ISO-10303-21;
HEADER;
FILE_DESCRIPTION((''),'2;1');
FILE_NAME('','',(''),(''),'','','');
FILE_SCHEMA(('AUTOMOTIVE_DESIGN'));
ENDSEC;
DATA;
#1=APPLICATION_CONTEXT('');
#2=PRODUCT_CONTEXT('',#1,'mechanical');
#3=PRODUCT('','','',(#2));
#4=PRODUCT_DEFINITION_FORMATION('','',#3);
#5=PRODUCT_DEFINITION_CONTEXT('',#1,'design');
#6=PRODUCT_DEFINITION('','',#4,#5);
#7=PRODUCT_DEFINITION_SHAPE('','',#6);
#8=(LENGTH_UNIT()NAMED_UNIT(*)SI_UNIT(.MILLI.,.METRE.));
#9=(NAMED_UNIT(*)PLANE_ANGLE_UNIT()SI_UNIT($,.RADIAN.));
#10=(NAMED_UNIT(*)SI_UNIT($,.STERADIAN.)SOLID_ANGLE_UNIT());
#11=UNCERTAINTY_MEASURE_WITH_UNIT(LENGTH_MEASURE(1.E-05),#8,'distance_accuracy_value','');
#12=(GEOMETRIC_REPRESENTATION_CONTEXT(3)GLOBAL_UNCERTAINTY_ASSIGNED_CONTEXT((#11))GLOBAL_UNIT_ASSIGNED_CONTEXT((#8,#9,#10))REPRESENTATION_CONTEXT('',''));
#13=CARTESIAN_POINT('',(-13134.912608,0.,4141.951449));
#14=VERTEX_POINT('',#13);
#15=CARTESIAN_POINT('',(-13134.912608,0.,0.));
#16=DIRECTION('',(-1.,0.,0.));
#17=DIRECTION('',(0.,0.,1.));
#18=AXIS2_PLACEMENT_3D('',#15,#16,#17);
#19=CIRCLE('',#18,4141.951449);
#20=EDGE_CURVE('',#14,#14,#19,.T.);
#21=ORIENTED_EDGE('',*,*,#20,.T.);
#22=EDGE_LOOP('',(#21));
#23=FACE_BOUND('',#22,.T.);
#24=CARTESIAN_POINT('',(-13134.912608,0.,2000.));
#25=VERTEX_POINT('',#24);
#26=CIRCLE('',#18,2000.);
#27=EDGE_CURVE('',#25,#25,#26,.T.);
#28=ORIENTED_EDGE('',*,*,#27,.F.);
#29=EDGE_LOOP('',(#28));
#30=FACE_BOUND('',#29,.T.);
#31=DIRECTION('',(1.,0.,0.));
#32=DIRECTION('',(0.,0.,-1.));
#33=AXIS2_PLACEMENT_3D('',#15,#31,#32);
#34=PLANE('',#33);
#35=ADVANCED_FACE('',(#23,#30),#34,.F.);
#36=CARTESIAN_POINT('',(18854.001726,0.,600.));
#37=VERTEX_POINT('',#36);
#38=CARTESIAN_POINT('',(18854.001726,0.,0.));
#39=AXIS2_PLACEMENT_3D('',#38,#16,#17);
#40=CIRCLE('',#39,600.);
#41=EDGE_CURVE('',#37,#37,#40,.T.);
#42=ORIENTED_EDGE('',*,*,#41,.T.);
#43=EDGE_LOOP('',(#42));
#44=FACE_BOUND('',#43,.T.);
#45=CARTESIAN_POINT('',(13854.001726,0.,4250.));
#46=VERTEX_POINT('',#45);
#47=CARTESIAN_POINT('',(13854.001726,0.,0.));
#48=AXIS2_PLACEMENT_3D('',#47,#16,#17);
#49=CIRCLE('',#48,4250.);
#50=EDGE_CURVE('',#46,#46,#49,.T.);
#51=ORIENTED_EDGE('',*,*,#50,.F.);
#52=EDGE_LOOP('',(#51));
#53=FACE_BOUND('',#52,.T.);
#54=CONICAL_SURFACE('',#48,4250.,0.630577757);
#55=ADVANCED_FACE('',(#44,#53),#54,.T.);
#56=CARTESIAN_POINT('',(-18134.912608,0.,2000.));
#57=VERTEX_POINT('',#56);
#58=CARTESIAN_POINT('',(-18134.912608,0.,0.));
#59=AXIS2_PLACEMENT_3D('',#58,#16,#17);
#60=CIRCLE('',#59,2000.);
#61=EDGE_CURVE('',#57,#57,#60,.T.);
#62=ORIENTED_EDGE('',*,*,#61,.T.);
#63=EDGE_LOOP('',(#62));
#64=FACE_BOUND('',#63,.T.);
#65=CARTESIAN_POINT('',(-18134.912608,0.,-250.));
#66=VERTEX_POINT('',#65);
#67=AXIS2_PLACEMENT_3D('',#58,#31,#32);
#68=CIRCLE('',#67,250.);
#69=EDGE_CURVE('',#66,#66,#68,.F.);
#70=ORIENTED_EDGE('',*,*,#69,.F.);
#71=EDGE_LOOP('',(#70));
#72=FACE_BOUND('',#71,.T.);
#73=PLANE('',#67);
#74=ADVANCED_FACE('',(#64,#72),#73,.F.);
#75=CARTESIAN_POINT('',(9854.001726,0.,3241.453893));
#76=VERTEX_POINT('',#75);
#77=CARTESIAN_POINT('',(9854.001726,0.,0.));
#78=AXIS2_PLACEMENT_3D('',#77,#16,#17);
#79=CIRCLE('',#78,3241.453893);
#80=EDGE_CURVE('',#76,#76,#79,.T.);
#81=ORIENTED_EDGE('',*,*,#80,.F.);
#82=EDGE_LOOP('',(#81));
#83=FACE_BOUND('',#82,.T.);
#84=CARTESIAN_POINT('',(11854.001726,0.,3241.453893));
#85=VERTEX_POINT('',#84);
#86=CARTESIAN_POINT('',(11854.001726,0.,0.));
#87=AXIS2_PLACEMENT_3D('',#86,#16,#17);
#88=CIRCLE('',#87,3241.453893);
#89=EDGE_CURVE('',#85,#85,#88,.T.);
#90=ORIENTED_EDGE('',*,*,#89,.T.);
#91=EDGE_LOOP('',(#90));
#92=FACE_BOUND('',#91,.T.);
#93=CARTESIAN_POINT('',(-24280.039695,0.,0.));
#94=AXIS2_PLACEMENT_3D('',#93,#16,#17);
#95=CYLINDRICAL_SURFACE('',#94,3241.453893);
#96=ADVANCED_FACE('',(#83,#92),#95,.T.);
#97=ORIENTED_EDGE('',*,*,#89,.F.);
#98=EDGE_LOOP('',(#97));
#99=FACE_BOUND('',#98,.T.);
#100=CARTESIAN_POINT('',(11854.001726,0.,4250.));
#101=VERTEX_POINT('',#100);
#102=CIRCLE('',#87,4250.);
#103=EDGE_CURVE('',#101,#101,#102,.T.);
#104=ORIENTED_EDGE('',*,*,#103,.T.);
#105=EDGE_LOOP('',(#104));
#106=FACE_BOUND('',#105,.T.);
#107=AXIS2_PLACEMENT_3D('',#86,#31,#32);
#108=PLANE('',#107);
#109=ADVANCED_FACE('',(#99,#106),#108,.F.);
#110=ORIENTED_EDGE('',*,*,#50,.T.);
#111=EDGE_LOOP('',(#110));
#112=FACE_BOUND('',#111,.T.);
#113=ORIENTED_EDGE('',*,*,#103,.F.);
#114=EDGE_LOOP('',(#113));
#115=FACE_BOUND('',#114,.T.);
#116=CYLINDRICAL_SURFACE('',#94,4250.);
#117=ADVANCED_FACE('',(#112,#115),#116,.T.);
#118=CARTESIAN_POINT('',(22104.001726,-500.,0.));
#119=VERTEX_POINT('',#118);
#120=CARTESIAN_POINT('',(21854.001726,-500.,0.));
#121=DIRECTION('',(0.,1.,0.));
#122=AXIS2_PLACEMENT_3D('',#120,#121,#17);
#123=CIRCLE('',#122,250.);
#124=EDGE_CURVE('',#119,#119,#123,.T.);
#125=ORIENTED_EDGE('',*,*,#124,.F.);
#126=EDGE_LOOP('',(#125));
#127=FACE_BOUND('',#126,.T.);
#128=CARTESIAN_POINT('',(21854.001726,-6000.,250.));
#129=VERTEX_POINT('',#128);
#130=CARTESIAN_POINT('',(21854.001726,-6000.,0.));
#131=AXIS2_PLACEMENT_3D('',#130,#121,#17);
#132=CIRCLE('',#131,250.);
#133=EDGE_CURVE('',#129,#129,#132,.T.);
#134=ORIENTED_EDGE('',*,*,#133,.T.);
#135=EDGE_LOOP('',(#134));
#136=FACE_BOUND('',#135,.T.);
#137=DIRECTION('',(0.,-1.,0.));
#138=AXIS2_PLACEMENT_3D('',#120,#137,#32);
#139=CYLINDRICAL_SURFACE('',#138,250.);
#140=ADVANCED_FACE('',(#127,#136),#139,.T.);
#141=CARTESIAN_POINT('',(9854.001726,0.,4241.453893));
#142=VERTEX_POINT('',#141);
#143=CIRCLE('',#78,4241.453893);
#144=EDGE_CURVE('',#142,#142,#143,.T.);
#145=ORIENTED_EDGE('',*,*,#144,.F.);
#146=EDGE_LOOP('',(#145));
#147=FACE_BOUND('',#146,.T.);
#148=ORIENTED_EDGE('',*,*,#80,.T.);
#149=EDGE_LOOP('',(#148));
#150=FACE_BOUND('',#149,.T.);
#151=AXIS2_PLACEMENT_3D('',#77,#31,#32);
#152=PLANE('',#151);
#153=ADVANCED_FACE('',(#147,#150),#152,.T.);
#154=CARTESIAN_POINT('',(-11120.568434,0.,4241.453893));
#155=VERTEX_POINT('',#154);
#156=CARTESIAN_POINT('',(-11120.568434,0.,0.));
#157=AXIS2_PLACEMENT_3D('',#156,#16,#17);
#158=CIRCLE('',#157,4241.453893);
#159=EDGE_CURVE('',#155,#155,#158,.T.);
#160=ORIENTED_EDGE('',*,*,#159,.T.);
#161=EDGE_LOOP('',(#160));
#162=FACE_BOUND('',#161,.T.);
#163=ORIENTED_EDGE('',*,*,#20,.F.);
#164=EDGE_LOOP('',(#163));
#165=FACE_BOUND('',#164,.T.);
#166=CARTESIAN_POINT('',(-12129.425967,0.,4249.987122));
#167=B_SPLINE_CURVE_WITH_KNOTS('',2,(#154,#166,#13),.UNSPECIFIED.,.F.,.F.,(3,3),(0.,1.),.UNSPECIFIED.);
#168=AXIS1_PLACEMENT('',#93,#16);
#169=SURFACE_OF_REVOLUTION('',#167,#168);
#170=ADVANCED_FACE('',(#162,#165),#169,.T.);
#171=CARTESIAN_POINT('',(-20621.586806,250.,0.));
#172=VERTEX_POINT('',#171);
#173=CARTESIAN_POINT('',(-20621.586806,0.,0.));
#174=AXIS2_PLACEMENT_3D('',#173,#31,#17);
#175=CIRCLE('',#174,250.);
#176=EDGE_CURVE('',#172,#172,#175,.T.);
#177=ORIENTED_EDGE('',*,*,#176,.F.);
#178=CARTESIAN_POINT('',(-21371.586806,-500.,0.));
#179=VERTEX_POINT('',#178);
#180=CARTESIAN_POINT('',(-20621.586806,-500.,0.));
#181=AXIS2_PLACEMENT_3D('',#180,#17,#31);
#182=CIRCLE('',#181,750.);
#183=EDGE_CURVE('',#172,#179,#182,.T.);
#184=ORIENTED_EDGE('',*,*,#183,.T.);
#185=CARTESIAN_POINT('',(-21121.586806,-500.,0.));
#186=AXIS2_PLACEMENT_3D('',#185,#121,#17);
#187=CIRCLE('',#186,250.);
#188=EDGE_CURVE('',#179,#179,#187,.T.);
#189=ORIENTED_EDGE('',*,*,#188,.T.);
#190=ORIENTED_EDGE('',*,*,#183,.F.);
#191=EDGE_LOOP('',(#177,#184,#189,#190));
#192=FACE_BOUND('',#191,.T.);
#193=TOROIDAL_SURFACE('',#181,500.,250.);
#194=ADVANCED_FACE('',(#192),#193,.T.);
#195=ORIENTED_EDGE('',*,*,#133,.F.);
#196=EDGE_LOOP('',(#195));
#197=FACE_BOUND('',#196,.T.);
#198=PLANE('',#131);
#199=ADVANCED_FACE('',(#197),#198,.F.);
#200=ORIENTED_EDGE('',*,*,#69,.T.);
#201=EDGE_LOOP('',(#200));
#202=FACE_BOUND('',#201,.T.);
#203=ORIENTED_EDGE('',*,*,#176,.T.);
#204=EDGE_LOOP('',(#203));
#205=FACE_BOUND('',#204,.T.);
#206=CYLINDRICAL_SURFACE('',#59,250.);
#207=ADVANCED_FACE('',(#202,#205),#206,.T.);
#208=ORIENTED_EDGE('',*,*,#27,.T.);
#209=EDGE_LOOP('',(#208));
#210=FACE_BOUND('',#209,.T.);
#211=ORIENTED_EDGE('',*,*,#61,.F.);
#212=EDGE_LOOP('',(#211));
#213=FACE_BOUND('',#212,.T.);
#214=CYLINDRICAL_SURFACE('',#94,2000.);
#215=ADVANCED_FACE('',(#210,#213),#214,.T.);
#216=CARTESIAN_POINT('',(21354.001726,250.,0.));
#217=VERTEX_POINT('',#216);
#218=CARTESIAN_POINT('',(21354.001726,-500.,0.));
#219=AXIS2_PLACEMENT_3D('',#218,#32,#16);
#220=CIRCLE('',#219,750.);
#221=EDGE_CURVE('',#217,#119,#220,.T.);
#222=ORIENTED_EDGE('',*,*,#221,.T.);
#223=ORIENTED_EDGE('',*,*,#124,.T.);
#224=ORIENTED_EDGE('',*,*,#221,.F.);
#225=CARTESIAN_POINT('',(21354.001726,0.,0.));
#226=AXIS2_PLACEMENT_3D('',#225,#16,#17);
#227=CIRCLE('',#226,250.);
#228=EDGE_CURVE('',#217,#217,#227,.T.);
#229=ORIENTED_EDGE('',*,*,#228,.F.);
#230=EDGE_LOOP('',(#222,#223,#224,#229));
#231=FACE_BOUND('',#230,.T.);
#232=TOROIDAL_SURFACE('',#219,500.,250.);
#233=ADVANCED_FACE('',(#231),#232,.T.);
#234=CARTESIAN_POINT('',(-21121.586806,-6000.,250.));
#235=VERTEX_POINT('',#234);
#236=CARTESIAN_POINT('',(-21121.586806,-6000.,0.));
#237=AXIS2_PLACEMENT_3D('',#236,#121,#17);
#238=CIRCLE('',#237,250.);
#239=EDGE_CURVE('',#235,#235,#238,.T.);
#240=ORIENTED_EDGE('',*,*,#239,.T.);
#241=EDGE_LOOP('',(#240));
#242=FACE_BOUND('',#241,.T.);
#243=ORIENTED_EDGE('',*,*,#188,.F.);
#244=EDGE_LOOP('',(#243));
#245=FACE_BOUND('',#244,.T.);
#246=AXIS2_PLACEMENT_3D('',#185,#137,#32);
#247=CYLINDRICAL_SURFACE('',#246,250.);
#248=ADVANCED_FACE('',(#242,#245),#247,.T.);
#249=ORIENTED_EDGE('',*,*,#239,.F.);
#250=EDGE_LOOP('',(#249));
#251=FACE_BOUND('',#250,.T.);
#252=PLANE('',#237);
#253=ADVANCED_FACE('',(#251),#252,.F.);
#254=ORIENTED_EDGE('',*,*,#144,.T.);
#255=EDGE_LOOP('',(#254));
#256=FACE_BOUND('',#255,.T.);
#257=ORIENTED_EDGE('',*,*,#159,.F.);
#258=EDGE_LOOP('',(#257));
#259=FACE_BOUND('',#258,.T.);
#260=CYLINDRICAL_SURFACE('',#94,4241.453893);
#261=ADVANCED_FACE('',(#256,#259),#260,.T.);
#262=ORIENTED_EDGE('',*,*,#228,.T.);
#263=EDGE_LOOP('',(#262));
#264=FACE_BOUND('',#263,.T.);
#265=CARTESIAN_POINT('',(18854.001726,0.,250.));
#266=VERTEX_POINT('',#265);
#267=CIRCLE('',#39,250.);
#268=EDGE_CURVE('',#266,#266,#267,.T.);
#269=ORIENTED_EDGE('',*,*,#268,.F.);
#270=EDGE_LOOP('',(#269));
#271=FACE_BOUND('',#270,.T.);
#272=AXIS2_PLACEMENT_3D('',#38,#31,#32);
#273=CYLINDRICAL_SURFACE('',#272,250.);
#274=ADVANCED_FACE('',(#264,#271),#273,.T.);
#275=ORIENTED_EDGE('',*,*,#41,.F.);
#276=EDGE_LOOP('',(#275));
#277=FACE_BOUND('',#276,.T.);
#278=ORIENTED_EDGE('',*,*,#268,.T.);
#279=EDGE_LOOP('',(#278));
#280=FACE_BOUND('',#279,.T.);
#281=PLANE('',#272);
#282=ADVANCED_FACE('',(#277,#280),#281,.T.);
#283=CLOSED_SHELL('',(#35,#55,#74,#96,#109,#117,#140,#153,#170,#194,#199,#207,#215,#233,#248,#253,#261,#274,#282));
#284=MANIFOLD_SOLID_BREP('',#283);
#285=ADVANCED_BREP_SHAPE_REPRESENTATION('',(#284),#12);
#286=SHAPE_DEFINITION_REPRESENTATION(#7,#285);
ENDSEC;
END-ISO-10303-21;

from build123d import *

# Parameters (mm, degrees)
SWEEP7_PROFILE_R = 250
SWEEP8_PROFILE_R = 250


with BuildPart() as part:
    # Sweep7: sweep along a path in Sketch3
    with BuildLine(Plane.XY) as sweep7_path:
        Line((18854.001725824, 0), (21354.001725824, 0))
        ThreePointArc((21354.001725824, 0), (21707.555116417, -146.446609407), (21854.001725824, -500))
        Line((21854.001725824, -500), (21854.001725824, -6000))
    # Sweep7 profile (on start of the path) → Sweep7 (sweep)
    with BuildSketch(Plane(origin=(18854.001725824, 0, 0), x_dir=(0, 0, 1), z_dir=(1, 0, 0))):
        Circle(SWEEP7_PROFILE_R)
    sweep(path=sweep7_path.line)



with BuildPart() as body_2:
    # Sweep8: sweep along a path in Sketch6
    with BuildLine(Plane.XY) as sweep8_path:
        Line((-18134.91260846, 0), (-20621.58680634, 0))
        ThreePointArc((-20621.58680634, 0), (-20975.140196933, -146.446609407), (-21121.58680634, -500))
        Line((-21121.58680634, -500), (-21121.58680634, -6000))
    # Sweep8 profile (on start of the path) → Sweep8 (sweep)
    with BuildSketch(Plane(origin=(-18134.91260846, 0, 0), x_dir=(0, 0, -1), z_dir=(-1, 0, 0))):
        Circle(SWEEP8_PROFILE_R)
    sweep(path=sweep8_path.line)


with BuildPart() as part_1:
    add(part.part)

    add(body_2.part)  # Revolve2 merges body 2
    # Sketch1 one side → Revolve2 (revolve)
    with BuildSketch(Plane(origin=(0, 0, 0), x_dir=(1, 0, 0), z_dir=(0, 1, 0))):
        with BuildLine():
            add(Edge.make_bspline(
                [(-11120.568434243, -4241.453892715), (-12129.425967311, -4249.987121585), (-13134.91260846, -4141.951449371)],
                knots=[0, 0, 0, 1, 1, 1], degree=2))
            Line((-11120.568434243, -4241.453892715), (9854.001725824, -4241.453892715))
            Line((9854.001725824, -4241.453892715), (9854.001725824, -3241.453892715))
            Line((9854.001725824, -3241.453892715), (11854.001725824, -3241.453892715))
            Line((11854.001725824, -3241.453892715), (11854.001725824, -4250))
            Line((11854.001725824, -4250), (13854.001725824, -4250))
            Line((13854.001725824, -4250), (18854.001725824, -600))
            Line((18854.001725824, -600), (18854.001725824, 0))
            Line((18854.001725824, 0), (-18134.91260846, 0))
            Line((-18134.91260846, 0), (-18134.91260846, -2000))
            Line((-18134.91260846, -2000), (-13134.91260846, -2000))
            Line((-13134.91260846, -2000), (-13134.91260846, -4141.951449371))
        make_face()
    revolve(axis=Axis((-24280.039694843, 0, 0), (1, 0, 0)))


solid = part_1.part
